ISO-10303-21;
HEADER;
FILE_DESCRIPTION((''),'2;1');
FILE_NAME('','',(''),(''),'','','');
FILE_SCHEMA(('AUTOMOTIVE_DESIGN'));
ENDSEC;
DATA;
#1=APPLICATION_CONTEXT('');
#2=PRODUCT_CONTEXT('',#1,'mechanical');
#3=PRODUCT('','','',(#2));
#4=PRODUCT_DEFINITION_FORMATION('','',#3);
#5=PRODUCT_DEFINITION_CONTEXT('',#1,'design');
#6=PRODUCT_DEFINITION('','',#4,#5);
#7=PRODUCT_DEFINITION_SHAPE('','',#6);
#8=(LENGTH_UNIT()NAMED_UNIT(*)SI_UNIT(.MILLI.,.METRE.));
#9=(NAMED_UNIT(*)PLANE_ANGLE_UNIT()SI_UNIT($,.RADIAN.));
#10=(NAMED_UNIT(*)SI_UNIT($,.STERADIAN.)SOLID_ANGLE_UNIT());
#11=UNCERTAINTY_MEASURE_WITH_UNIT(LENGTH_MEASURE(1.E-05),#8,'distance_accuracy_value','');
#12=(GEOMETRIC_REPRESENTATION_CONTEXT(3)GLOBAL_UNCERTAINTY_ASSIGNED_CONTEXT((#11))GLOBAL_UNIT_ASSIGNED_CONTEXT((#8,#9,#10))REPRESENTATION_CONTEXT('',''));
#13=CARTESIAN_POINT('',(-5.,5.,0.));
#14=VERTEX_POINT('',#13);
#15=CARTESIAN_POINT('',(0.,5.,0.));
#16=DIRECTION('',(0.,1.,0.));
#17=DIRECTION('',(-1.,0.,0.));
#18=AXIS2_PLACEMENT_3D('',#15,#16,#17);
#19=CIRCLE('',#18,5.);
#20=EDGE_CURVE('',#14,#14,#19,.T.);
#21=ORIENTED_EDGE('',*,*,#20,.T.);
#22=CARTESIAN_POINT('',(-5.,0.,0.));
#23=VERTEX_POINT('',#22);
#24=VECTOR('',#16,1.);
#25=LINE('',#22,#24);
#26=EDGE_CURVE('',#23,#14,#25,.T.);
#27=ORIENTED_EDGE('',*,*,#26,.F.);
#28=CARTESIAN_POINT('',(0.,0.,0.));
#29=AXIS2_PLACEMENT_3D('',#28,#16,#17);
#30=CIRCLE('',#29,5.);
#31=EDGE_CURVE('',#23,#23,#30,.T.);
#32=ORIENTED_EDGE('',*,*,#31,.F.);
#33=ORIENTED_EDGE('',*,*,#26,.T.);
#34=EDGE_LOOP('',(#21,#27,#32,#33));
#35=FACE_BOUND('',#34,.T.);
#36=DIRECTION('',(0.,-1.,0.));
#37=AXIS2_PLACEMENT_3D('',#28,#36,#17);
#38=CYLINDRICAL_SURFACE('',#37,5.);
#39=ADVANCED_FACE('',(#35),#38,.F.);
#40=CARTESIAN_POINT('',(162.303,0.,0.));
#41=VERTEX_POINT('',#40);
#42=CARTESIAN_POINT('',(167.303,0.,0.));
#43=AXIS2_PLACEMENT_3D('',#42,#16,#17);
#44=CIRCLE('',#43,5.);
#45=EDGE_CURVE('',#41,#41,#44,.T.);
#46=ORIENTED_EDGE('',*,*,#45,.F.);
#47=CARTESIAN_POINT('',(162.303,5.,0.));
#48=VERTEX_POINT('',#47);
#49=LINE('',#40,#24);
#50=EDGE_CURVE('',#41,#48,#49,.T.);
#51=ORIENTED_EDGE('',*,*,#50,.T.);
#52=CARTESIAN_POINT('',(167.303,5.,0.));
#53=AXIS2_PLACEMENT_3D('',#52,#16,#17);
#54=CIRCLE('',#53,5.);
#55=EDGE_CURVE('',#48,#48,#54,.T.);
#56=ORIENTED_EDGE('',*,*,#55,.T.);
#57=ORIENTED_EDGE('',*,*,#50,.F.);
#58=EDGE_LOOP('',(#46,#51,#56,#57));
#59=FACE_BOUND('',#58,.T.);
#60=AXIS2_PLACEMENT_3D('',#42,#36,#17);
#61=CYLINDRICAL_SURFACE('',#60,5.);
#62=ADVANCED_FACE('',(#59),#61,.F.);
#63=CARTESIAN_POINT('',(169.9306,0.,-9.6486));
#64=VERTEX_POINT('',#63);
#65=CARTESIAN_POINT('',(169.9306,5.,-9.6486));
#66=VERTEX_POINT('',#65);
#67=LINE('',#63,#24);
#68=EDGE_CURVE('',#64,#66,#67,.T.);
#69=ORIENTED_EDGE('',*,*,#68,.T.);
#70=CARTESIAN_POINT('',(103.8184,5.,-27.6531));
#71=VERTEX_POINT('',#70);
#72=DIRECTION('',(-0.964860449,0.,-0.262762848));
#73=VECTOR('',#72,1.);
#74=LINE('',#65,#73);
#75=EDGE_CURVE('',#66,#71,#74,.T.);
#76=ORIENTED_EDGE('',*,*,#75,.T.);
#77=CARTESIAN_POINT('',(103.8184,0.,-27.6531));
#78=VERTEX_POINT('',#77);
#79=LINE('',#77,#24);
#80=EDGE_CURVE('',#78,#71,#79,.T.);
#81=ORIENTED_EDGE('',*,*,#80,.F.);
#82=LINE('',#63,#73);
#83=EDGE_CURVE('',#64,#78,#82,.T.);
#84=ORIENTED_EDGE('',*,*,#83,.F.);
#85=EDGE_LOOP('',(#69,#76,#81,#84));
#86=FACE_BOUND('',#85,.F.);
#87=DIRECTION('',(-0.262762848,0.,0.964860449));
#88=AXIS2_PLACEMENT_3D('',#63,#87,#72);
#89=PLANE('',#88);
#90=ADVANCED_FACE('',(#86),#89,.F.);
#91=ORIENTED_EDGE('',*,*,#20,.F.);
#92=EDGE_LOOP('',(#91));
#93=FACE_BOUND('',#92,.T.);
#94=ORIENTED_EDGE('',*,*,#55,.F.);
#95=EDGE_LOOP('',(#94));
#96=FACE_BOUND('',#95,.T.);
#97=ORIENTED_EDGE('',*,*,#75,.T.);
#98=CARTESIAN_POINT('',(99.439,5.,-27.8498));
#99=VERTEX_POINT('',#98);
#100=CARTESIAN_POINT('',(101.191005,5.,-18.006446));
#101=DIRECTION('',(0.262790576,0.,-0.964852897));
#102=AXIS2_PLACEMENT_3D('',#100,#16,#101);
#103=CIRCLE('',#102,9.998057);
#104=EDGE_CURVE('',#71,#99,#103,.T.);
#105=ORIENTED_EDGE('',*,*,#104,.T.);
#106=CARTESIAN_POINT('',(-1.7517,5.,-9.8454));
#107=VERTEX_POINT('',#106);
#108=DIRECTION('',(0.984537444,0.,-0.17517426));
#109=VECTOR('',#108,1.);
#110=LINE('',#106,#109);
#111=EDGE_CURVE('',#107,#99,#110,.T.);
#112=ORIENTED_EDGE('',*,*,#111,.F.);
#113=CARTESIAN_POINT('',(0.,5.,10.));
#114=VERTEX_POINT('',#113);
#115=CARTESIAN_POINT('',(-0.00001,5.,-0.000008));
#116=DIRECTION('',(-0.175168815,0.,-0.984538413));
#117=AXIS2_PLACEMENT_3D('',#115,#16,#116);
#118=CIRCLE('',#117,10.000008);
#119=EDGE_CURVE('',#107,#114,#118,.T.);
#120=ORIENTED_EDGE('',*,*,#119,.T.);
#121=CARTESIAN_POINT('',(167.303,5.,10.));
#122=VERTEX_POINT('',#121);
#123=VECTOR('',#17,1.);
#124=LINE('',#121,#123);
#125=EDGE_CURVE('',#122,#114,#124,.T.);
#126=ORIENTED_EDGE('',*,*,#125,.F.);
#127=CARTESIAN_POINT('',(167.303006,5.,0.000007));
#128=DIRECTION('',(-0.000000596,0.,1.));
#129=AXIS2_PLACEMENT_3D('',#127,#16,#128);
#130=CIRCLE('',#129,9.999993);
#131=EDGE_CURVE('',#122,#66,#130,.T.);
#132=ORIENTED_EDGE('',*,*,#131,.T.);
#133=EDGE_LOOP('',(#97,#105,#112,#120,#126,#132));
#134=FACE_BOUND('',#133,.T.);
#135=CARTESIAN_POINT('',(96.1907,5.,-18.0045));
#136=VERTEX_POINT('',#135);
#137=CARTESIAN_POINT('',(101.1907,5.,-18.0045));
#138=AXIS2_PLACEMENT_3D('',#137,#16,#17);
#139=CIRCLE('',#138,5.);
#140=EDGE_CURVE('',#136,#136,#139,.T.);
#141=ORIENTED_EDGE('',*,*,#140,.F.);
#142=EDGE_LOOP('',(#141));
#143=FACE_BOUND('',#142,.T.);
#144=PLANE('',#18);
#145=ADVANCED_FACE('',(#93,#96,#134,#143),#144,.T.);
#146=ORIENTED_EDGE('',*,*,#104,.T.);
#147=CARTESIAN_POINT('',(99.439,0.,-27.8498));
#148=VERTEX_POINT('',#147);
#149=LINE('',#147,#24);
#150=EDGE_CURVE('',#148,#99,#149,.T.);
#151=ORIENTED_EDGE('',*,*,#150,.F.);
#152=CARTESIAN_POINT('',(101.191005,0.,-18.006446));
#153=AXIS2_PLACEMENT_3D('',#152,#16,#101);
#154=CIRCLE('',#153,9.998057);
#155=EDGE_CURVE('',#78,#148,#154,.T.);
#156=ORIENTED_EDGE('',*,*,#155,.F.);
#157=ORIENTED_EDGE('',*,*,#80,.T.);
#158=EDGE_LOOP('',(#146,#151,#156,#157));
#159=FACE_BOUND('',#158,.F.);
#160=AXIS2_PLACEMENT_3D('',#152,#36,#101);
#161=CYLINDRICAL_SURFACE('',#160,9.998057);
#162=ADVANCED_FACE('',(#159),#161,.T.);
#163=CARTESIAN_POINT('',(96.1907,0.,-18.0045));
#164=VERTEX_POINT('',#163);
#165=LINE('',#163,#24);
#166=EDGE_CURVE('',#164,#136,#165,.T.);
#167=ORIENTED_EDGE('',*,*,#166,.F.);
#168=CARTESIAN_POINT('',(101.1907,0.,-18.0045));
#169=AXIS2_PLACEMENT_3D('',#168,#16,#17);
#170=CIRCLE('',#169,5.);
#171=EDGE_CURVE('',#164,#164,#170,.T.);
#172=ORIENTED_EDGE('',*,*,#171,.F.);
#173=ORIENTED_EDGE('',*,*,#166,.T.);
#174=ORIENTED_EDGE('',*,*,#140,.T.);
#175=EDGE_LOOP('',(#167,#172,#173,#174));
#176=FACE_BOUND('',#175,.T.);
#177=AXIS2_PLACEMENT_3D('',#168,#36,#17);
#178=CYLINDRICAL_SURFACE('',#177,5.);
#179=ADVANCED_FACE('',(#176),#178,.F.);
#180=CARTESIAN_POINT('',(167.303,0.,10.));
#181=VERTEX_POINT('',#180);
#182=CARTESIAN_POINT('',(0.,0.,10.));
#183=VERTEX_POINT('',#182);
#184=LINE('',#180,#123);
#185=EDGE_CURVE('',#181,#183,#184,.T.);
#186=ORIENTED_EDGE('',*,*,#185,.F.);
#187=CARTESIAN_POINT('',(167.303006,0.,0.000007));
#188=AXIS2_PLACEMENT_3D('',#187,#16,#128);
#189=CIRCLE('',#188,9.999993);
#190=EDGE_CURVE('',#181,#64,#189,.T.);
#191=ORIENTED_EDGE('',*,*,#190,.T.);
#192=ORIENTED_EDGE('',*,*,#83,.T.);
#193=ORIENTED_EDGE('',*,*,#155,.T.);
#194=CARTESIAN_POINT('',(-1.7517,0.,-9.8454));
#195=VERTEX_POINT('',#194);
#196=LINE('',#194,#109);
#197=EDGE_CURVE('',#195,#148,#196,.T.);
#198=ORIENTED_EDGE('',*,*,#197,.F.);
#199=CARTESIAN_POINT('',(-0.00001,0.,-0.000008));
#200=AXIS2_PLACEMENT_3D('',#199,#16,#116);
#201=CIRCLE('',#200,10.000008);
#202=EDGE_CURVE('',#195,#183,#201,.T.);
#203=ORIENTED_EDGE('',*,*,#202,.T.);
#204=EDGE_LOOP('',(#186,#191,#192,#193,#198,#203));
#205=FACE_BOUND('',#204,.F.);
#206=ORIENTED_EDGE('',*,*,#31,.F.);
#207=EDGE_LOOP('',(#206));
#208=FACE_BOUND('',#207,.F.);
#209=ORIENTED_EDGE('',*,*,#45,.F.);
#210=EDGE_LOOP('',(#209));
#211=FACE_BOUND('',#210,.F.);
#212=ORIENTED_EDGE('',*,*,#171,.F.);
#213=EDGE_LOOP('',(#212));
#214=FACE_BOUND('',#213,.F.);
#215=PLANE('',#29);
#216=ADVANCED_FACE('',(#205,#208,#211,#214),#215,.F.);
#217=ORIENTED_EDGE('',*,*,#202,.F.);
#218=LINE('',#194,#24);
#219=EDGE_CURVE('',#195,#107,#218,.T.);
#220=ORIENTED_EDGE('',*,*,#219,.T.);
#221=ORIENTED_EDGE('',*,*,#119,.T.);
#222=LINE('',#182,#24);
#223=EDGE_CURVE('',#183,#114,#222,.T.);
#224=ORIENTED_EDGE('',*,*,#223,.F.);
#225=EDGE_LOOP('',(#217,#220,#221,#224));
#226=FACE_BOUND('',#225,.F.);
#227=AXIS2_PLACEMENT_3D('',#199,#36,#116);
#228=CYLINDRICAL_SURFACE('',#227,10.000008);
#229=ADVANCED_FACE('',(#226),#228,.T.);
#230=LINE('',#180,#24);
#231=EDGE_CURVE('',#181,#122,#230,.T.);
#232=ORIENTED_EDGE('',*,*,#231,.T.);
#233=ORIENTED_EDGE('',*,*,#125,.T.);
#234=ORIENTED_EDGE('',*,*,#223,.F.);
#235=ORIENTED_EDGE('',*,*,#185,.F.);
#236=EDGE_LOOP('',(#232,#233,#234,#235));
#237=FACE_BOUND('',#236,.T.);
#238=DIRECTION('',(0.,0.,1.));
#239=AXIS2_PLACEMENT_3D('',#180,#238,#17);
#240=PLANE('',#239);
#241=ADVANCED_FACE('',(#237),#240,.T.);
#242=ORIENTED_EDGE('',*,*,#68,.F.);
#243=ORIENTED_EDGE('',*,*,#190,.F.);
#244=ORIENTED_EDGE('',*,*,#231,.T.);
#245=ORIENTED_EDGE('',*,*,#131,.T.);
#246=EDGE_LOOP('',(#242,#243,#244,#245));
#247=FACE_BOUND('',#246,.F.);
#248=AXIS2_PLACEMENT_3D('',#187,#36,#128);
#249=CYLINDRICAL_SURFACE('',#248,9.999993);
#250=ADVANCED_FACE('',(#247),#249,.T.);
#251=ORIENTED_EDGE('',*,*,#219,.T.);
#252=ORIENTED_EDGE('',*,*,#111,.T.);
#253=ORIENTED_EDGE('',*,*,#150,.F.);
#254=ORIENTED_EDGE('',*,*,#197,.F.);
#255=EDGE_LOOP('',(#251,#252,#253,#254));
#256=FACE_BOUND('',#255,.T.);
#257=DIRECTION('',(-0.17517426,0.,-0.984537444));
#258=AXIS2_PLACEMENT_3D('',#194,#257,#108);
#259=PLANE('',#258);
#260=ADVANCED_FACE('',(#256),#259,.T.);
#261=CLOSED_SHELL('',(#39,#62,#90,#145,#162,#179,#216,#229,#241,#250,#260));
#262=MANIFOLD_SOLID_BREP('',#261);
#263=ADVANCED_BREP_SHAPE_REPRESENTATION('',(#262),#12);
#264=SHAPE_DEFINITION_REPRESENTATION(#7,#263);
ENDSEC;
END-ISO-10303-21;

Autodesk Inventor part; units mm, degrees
ref_plane "YZ Plane" through (0, 0, 0) normal (1, 0, 0) x (0, 1, 0)
ref_plane "XZ Plane" through (0, 0, 0) normal (0, 1, 0) x (-1, 0, 0)
ref_plane "XY Plane" through (0, 0, 0) normal (0, 0, 1) x (1, 0, 0)
sketch "草圖2" plane through (0, 0, 0) normal (0, 1, 0) x (-1, 0, 0)
  line L0 (-101.1907, -18.0045) -> (0, 0) construction
  line L1 (0, 0) -> (-167.303, 0) construction
  arc A0 (-167.303, 10) -> (-169.9306, -9.6486) centre (-167.303, 0) ccw
  arc A1 (1.7517, -9.8454) -> (0, 10) centre (0, 0) ccw
  line L2 (-167.303, 10) -> (0, 10)
  line L3 (-169.9306, -9.6486) -> (-103.8184, -27.6531)
  line L4 (-167.303, 0) -> (-101.1907, -18.0045) construction
  arc A2 (-103.8184, -27.6531) -> (-99.439, -27.8498) centre (-101.1907, -18.0045) ccw
  line L5 (1.7517, -9.8454) -> (-99.439, -27.8498)
  circle A3 centre (-167.303, 0) radius 5
  circle A4 centre (0, 0) radius 5
  circle A5 centre (-101.1907, -18.0045) radius 5
  dimension "d11" = 20
  dimension "hole" = 10
  dimension "center_distance1" = 167.303
  dimension "center_distance3" = 68.52
  dimension "center_distance2" = 102.78
extrude "擠出2" add sketch "草圖2" along normal blind 5
equation "\"d11\" = 2 * hole"
properties part number "test3"
